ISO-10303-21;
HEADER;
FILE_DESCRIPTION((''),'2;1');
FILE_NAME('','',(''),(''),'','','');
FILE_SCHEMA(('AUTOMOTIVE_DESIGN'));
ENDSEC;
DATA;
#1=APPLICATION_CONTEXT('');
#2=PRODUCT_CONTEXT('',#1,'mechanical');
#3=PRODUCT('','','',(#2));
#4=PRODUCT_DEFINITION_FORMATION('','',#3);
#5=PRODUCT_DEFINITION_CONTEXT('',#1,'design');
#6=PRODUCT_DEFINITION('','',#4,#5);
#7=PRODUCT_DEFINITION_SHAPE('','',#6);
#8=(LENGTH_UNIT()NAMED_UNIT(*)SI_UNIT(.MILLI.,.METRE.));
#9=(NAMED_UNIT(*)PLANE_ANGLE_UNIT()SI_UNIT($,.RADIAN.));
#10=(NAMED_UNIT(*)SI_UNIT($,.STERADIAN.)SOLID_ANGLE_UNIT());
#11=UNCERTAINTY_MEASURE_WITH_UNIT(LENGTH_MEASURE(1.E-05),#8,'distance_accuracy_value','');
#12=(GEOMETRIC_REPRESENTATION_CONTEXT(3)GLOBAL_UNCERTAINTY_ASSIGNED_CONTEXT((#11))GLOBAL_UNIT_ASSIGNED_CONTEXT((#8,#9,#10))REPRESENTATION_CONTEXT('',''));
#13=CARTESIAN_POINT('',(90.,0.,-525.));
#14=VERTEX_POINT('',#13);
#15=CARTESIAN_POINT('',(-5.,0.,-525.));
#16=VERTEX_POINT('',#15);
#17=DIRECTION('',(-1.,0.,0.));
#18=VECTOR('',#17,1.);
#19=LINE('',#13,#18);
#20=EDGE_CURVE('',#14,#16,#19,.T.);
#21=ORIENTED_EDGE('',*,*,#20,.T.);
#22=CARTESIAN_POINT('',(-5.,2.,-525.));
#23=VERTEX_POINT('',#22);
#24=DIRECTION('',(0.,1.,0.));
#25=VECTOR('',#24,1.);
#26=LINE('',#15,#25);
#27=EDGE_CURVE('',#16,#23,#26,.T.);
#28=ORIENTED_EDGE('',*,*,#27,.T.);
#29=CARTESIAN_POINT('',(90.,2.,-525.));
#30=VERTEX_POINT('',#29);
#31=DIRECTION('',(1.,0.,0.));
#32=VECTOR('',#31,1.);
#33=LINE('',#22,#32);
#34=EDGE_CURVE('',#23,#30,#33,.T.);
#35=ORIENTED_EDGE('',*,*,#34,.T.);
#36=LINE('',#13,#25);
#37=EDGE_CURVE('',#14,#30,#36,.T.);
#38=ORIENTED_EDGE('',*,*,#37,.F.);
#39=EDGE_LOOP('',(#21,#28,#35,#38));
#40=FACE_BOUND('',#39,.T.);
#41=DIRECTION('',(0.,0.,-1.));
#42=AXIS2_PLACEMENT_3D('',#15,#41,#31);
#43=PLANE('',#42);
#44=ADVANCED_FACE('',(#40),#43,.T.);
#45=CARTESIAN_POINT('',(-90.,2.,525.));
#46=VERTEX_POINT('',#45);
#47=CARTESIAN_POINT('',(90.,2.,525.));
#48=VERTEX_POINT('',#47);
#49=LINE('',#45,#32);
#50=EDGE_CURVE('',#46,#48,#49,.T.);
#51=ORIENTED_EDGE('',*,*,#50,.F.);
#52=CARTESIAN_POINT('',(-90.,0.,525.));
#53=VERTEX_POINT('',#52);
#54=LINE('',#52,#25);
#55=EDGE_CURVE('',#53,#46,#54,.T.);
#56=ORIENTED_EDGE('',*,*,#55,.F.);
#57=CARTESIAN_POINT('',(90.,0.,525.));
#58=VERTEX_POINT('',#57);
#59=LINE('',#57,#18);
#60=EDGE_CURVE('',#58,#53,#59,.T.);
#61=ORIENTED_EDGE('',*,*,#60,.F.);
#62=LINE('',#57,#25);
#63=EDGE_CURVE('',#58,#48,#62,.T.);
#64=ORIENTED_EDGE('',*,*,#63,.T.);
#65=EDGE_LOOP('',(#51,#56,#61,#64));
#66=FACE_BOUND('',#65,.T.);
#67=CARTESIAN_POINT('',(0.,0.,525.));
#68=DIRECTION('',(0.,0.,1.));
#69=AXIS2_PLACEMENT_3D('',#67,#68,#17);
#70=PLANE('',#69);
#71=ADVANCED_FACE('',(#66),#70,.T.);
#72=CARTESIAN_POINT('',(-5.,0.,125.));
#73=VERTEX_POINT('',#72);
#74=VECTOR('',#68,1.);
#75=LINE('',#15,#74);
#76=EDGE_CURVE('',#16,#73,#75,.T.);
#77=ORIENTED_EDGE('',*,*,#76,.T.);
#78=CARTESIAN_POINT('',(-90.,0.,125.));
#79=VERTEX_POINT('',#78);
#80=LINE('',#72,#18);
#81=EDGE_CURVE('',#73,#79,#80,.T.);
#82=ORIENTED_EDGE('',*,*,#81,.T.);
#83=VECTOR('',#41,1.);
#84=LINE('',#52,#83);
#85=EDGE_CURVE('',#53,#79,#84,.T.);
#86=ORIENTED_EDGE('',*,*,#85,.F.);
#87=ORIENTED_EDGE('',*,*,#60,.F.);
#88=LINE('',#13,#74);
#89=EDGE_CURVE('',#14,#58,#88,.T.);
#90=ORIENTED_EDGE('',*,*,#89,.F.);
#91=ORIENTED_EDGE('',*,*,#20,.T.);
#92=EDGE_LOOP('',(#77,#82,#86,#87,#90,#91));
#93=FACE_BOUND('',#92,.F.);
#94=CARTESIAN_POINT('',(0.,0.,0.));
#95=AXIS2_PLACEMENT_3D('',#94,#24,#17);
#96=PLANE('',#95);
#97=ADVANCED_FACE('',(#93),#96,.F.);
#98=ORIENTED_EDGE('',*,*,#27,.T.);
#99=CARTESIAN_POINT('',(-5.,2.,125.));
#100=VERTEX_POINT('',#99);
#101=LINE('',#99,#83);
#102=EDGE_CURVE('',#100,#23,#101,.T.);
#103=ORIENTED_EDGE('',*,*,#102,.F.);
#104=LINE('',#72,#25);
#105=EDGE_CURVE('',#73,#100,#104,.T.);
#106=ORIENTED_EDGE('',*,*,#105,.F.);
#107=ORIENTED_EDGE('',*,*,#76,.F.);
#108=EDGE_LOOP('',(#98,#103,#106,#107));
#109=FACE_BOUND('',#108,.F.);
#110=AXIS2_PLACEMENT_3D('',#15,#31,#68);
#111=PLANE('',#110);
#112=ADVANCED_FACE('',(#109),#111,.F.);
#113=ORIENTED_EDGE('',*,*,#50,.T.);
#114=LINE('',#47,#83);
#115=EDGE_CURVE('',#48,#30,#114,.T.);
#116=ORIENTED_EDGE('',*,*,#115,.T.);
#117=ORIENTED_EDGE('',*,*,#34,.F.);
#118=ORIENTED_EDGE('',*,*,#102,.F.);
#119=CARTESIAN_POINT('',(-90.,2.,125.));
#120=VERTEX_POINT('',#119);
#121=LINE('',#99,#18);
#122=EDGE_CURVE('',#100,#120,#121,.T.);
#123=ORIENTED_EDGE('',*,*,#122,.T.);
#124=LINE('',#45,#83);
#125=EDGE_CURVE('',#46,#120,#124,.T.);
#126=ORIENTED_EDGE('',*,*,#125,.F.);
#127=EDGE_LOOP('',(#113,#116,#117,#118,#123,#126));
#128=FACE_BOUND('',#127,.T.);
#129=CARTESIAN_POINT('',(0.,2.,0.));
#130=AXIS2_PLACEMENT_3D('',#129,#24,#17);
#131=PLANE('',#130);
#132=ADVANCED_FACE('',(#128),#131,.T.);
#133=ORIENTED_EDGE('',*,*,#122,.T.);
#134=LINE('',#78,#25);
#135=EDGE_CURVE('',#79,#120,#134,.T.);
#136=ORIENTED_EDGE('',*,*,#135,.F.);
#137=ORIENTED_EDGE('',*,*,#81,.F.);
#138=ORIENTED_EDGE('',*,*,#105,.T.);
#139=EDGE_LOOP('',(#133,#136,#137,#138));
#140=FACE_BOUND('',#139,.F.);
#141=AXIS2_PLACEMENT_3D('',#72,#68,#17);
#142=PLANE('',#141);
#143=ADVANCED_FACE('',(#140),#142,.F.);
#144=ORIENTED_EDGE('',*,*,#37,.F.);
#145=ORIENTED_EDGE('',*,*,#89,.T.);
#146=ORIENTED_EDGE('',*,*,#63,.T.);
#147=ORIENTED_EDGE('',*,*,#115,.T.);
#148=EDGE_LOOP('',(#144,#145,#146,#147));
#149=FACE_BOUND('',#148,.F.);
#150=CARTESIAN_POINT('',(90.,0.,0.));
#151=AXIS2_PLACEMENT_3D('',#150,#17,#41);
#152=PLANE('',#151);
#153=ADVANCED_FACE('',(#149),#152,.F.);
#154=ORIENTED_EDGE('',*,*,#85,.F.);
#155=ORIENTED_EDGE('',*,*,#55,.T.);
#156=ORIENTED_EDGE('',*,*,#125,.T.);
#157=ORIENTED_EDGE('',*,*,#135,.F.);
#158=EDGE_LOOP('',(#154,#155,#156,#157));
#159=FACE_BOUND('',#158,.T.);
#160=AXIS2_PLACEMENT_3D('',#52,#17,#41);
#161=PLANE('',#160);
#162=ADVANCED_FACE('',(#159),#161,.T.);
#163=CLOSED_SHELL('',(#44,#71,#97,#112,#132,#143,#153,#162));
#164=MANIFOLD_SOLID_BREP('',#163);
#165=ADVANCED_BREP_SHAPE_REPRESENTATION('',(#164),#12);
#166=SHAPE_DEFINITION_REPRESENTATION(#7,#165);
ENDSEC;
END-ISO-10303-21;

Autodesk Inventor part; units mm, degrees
ref_plane "YZ Plane" through (0, 0, 0) normal (1, 0, 0) x (0, 1, 0)
ref_plane "XZ Plane" through (0, 0, 0) normal (0, 1, 0) x (-1, 0, 0)
ref_plane "XY Plane" through (0, 0, 0) normal (0, 0, 1) x (1, 0, 0)
sketch "Sketch1" plane through (0, 0, 0) normal (0, 1, 0) x (-1, 0, 0)
  line L0 (5, -525) -> (-90, -525)
  line L1 (-90, 525) -> (90, 525)
  line L2 (0, 525) -> (0, -525)
  line L3 (5, -525) -> (5, 125)
  line L4 (5, 125) -> (90, 125)
  line L5 (90, 525) -> (90, 125)
  line L6 (5, 0) -> (-90, 0)
  line L7 (-90, 525) -> (-90, -525)
  point P0 (0, 0)
  dimension "d6" = 1050
  dimension "d7" = 180
  dimension "d8" = 85
  dimension "d10" = 650
extrude "Extrusion1" add sketch "Sketch1" along normal blind 2
properties part number "Si" material "LCP Plastic"
